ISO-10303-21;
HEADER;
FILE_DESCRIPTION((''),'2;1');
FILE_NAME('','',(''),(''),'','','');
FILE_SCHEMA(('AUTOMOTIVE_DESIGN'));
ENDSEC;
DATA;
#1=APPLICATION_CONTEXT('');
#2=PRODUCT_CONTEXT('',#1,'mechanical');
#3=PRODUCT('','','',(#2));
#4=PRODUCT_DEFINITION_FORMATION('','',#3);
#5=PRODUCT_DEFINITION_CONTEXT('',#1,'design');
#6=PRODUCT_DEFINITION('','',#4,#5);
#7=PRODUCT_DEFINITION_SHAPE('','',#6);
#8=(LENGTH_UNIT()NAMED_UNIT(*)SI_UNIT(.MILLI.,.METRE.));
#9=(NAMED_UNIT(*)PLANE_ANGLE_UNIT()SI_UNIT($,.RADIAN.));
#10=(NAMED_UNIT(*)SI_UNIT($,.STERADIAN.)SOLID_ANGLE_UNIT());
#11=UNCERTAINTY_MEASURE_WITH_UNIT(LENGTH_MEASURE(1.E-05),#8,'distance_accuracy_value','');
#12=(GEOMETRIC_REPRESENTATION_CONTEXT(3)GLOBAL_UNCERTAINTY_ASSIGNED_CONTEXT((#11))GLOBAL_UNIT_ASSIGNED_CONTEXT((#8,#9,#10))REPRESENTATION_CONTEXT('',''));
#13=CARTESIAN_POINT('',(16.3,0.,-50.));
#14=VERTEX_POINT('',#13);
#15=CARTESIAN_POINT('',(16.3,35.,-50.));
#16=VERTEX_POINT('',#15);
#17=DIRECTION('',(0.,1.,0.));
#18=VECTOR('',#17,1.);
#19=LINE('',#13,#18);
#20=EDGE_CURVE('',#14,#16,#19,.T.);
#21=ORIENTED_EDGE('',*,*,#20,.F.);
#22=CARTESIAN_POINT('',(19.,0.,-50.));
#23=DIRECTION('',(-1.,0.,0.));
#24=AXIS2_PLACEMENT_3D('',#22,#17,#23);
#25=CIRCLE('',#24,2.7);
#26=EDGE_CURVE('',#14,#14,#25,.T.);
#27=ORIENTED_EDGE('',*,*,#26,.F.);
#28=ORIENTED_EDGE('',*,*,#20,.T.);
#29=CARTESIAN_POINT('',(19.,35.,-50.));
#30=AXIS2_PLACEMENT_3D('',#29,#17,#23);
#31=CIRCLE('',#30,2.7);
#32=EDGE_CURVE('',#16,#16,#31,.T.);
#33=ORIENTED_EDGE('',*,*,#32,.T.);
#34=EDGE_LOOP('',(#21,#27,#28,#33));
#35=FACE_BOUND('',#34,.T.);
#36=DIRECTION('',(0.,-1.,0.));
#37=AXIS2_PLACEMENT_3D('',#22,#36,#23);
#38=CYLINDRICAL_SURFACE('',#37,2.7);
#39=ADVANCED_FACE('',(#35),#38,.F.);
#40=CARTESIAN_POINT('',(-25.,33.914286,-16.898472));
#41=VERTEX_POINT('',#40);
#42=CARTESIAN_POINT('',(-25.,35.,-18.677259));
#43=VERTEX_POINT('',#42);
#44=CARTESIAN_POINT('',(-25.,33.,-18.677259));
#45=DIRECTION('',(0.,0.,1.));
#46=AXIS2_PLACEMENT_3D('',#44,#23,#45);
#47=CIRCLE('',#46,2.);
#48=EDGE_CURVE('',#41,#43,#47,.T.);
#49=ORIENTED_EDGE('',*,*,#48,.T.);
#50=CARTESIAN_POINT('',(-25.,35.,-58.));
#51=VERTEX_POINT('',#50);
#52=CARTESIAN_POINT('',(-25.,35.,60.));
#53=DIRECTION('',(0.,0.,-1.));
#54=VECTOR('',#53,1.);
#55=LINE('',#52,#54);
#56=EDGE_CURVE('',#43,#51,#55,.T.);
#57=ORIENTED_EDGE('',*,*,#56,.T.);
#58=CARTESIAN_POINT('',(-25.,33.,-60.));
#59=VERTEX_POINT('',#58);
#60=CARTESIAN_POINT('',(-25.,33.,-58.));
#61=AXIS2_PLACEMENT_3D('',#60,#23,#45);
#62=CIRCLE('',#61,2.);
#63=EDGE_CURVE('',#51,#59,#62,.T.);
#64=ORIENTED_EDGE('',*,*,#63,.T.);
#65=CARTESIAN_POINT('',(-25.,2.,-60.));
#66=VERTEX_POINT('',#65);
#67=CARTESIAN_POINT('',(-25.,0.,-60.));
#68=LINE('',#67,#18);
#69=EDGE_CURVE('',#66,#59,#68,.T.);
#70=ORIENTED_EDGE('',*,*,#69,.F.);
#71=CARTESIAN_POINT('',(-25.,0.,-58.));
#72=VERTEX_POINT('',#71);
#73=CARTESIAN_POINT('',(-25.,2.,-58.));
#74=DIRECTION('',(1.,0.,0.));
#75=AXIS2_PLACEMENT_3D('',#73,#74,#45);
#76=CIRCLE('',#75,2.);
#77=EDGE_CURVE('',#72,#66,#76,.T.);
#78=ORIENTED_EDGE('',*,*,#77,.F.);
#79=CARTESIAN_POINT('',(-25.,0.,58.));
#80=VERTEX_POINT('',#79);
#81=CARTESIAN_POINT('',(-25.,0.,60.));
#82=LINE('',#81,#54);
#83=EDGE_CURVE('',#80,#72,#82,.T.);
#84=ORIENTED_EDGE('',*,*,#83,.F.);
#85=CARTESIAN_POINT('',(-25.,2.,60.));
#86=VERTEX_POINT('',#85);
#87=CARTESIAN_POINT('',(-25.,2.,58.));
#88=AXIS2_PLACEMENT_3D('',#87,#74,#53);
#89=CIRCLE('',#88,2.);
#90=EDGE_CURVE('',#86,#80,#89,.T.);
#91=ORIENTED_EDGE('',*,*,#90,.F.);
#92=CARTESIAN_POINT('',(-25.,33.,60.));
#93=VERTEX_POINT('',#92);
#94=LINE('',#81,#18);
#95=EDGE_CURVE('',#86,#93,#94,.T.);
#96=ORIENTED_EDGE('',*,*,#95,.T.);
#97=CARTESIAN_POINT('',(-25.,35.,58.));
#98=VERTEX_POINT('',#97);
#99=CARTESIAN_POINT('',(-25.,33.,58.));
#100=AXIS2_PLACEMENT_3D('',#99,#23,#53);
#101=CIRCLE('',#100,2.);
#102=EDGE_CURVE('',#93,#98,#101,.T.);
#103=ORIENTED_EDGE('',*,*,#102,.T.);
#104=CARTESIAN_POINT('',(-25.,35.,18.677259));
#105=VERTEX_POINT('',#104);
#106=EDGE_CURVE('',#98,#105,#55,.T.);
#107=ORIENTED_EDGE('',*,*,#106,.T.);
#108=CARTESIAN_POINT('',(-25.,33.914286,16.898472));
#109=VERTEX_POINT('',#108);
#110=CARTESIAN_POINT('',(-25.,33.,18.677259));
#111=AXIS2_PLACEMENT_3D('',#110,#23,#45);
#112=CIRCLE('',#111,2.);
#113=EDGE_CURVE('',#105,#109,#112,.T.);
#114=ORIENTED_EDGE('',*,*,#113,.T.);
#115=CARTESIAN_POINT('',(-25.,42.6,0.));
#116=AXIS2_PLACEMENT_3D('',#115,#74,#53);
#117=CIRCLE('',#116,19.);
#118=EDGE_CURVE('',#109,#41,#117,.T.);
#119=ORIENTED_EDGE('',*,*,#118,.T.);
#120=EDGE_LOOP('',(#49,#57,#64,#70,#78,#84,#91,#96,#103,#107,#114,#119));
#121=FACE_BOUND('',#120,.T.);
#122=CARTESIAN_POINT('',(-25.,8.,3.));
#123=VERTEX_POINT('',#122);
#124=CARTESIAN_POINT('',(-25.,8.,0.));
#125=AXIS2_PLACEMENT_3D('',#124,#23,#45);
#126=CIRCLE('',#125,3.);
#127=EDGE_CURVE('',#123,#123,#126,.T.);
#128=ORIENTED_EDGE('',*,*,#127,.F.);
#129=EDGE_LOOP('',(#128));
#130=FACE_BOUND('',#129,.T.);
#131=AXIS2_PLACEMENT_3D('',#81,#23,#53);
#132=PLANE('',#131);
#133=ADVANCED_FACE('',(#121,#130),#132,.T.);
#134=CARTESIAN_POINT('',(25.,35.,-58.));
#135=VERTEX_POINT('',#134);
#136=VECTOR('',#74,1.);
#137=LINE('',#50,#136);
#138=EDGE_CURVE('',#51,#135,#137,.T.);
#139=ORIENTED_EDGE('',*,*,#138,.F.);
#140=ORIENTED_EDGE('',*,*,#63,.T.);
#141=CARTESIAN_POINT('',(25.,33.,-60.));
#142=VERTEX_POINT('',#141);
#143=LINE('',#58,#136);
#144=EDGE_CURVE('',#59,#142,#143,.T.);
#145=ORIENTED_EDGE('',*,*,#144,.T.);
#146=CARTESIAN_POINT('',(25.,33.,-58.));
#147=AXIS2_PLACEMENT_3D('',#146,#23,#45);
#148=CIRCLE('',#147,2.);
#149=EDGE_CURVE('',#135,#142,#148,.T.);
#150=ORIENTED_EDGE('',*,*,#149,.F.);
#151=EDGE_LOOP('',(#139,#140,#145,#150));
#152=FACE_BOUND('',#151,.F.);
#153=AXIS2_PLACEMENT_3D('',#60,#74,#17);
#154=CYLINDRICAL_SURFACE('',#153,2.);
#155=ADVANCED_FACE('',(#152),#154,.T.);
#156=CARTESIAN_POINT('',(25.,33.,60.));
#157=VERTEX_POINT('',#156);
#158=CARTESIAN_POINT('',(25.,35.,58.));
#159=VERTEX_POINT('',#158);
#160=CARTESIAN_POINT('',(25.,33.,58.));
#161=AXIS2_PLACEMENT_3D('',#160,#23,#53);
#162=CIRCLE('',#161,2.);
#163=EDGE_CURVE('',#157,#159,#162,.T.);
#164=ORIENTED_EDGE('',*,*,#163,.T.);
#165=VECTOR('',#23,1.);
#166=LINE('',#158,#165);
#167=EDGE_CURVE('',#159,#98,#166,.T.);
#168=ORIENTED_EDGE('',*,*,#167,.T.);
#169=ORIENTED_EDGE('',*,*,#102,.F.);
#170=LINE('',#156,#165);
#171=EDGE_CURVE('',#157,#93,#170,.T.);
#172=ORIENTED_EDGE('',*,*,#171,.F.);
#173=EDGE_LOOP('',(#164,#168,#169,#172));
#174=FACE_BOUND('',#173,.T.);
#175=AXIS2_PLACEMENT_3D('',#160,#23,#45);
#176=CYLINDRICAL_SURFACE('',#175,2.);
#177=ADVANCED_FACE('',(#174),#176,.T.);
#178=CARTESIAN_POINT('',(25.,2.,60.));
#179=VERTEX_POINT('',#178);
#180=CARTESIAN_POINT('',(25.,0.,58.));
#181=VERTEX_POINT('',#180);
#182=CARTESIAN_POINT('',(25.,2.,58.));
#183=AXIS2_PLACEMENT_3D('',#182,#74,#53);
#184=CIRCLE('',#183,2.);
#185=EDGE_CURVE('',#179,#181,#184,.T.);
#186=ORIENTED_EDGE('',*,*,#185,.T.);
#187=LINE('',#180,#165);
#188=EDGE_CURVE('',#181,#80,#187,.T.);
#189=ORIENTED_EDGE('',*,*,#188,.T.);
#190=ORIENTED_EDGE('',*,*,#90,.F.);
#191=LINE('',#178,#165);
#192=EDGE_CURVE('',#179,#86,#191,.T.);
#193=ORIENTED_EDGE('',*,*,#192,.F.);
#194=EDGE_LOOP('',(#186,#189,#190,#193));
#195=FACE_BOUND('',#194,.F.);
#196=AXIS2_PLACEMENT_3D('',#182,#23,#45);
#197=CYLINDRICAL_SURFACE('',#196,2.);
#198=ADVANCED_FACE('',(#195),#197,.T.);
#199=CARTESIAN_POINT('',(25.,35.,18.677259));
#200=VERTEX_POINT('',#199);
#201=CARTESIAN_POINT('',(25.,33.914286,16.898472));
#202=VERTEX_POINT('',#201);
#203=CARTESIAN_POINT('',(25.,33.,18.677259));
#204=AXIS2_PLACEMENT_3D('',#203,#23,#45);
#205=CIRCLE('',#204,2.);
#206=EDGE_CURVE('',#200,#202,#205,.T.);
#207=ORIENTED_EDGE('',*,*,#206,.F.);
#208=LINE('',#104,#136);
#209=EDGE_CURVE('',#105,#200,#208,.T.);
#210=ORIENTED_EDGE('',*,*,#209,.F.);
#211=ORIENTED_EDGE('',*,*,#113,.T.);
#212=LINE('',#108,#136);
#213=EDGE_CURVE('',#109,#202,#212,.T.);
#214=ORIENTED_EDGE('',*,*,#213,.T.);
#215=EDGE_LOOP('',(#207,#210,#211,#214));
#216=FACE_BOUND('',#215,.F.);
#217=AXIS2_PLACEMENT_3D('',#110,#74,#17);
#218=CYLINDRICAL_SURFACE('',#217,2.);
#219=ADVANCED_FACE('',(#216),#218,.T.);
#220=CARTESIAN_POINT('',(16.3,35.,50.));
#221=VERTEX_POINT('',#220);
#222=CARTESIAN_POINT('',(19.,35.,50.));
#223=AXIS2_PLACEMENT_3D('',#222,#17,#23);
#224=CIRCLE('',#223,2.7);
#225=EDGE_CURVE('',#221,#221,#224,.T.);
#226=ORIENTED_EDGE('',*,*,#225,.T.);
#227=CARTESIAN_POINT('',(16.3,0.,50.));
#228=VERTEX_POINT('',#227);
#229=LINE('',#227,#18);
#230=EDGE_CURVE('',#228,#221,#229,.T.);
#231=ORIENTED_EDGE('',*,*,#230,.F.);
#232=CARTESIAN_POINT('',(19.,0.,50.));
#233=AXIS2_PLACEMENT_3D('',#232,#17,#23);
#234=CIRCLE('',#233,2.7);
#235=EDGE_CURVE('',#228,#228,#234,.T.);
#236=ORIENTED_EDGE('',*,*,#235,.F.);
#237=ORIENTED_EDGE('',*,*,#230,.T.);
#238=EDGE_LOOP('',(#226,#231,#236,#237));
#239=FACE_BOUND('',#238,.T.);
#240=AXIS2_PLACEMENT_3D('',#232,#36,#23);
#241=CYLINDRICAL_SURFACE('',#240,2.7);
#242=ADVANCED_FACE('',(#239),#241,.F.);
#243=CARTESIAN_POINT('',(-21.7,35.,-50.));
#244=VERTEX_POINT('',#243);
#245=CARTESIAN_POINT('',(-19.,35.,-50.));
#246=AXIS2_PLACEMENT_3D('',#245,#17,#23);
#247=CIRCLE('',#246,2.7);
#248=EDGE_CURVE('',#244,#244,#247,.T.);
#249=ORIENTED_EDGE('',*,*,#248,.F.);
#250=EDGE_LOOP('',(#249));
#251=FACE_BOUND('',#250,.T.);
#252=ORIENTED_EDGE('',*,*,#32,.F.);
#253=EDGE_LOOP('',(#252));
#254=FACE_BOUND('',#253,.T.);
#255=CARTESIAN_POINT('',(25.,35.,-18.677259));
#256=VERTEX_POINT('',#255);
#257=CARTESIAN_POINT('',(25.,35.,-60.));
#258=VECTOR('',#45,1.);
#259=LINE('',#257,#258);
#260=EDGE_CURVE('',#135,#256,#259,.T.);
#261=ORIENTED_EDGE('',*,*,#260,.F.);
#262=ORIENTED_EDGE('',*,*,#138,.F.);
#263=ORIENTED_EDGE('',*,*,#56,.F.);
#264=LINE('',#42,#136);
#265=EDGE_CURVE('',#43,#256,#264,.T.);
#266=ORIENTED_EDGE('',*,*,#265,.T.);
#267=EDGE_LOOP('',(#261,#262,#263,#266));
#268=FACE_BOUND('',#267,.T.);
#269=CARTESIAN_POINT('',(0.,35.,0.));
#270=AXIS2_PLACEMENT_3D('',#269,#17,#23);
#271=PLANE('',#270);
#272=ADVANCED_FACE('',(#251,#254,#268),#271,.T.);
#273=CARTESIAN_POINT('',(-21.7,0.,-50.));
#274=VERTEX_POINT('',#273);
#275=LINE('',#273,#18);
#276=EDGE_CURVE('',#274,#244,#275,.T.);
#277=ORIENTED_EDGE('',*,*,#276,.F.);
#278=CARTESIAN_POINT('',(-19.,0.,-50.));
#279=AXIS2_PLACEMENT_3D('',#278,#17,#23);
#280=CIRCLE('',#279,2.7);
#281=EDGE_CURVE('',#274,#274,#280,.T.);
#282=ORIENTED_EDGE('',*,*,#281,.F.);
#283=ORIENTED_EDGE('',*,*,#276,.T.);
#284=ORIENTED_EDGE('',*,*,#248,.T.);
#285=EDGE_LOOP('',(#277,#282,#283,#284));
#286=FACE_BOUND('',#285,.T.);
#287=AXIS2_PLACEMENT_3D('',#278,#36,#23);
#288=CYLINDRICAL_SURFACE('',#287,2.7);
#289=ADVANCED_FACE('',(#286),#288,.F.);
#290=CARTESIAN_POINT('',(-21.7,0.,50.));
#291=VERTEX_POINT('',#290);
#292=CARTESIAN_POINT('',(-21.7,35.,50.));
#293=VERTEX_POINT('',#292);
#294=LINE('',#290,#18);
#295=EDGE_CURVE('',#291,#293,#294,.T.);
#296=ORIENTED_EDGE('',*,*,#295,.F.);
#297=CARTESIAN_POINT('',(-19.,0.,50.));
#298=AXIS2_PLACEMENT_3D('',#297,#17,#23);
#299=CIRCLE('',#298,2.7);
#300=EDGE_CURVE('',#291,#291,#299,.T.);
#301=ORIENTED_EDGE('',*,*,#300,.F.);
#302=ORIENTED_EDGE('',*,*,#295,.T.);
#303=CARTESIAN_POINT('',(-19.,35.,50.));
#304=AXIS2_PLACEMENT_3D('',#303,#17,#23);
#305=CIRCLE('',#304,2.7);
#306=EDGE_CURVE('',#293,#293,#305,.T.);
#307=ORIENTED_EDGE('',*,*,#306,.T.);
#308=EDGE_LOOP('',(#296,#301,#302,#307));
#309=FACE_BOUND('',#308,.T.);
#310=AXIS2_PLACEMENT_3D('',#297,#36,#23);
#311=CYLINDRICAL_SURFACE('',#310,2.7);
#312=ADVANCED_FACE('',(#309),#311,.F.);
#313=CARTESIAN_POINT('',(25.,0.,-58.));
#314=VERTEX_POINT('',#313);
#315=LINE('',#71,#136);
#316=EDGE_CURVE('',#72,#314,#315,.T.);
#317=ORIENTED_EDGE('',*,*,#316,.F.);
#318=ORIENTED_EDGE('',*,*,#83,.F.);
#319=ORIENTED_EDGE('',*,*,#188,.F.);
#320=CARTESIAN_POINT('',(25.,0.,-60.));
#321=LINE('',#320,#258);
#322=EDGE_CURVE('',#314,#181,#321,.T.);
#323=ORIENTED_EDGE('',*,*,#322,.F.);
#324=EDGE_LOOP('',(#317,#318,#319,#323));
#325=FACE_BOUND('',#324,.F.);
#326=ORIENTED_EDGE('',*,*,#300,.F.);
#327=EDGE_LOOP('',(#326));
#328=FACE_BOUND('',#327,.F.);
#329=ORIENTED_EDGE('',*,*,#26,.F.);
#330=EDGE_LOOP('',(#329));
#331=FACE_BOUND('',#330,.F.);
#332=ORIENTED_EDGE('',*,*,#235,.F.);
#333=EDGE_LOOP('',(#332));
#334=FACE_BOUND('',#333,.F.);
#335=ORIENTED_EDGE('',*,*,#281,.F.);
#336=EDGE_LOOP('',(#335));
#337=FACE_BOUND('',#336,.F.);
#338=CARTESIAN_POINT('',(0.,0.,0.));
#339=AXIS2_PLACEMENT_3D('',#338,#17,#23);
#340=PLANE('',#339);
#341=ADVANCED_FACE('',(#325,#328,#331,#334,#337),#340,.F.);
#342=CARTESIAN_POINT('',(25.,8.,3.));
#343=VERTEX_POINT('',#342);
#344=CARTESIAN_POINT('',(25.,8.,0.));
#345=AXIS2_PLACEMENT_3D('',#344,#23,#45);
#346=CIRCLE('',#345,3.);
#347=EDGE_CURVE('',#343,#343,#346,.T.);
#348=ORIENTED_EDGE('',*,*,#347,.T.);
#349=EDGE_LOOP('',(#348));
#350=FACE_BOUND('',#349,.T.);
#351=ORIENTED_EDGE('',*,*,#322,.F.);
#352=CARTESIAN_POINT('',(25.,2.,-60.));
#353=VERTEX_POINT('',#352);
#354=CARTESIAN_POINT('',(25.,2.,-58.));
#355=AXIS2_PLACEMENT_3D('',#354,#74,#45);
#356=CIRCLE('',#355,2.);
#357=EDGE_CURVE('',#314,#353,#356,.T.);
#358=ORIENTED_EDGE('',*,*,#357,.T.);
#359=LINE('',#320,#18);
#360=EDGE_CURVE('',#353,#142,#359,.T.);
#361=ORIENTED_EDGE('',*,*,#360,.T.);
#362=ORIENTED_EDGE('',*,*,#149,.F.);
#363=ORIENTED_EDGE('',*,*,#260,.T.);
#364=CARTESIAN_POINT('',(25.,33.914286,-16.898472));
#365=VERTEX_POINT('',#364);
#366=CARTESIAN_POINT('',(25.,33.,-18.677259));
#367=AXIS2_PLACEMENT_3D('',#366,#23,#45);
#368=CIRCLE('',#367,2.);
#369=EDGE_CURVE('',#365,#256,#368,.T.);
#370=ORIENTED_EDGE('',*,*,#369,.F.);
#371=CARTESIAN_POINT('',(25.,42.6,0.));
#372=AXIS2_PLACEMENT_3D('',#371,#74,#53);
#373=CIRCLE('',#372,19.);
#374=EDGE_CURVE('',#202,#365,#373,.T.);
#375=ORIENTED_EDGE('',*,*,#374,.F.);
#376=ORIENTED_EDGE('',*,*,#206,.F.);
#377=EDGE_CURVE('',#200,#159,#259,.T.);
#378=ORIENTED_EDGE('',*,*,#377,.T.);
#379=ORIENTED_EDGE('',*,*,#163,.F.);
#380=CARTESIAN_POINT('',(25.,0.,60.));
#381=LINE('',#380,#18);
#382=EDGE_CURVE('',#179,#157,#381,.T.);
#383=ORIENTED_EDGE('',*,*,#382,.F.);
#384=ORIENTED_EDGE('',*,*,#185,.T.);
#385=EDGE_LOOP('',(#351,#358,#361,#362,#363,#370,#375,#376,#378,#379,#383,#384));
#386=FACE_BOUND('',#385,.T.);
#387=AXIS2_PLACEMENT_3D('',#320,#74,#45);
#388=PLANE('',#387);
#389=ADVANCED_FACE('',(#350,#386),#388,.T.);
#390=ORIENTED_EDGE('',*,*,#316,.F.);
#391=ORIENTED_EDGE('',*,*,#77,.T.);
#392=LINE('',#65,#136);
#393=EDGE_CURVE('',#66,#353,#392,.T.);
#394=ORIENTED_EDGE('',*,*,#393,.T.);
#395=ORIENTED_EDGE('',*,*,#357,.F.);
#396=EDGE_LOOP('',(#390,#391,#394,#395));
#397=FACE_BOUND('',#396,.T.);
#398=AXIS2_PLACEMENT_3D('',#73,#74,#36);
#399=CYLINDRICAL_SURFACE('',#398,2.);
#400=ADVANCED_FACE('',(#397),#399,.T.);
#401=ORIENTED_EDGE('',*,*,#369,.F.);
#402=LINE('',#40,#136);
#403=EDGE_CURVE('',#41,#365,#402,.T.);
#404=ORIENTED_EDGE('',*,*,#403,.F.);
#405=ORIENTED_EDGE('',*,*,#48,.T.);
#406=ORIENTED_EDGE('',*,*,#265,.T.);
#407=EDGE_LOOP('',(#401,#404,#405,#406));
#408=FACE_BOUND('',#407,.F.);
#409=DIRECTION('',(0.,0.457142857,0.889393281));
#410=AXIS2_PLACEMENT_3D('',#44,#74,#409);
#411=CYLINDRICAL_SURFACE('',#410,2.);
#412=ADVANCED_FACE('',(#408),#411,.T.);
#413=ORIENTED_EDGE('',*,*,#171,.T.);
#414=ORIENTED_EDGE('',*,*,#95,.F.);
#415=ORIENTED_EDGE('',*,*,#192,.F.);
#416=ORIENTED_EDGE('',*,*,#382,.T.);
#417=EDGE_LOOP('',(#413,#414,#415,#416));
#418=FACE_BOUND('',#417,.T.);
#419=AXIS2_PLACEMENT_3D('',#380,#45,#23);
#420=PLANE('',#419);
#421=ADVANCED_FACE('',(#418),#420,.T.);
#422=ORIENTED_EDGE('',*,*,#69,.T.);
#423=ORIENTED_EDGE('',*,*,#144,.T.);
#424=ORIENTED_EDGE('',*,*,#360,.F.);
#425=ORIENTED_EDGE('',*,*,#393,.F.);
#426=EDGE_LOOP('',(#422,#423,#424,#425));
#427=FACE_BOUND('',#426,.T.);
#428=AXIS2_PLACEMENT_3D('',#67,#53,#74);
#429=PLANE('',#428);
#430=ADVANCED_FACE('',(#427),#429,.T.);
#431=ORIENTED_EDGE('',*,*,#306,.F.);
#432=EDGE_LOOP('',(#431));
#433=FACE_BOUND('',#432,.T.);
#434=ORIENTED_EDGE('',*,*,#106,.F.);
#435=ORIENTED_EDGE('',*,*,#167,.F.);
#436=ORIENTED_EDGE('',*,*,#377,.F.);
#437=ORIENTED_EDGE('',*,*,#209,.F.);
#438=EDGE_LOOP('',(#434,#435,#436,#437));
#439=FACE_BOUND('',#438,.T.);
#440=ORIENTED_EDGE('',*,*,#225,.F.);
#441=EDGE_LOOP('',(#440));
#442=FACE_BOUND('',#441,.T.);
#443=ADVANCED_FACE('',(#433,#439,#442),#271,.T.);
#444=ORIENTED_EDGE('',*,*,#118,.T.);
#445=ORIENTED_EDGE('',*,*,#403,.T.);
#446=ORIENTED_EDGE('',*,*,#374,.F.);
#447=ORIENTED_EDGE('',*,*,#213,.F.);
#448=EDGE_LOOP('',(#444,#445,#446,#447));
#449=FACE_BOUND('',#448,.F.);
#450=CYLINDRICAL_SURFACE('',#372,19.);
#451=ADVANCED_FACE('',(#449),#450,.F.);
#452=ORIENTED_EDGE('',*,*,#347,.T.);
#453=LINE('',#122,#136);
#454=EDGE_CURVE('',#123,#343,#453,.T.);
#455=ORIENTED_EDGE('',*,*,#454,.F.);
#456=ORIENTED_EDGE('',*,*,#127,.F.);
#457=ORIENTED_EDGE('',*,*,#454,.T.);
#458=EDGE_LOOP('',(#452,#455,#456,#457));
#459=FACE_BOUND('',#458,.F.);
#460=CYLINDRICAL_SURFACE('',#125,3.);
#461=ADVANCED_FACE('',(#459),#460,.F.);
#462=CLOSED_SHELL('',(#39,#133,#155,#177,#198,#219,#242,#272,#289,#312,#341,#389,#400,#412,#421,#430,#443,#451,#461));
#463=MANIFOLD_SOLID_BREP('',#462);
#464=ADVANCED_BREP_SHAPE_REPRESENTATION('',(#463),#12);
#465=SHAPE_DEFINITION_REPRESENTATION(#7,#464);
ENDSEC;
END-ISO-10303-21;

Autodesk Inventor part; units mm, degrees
ref_plane "YZ Plane" through (0, 0, 0) normal (1, 0, 0) x (0, 1, 0)
ref_plane "XZ Plane" through (0, 0, 0) normal (0, 1, 0) x (-1, 0, 0)
ref_plane "XY Plane" through (0, 0, 0) normal (0, 0, 1) x (1, 0, 0)
sketch "Boceto1" plane through (0, 0, 0) normal (0, 1, 0) x (-1, 0, 0)
  line L0 (-25, 60) -> (25, 60)
  line L1 (25, 60) -> (25, -60)
  line L2 (25, -60) -> (-25, -60)
  line L3 (-25, -60) -> (-25, 60)
  line L4 (-25, 60) -> (25, -60) construction
  line L5 (25, 60) -> (-25, -60) construction
  circle A0 centre (19, 50) radius 2.7
  circle A1 centre (-19, 50) radius 2.7
  circle A2 centre (19, -50) radius 2.7
  circle A3 centre (-19, -50) radius 2.7
  point P0 (0, 0)
  dimension "d0" = 120
  dimension "d1" = 50
  dimension "d2" = 5.4
  dimension "d3" = 6
  dimension "d4" = 6
  dimension "d5" = 10
  dimension "d6" = 10
  dimension "d7" = 10
extrude "Extrusión1" add sketch "Boceto1" along normal blind 35
sketch "Boceto2" plane through (-25, 0, -60) normal (-1, 0, 0) x (0, 0, 1)
  circle A0 centre (60, 8) radius 3
  line L0 (0, 0) -> (120, 0) projected
  line L1 (120, 0) -> (0, 0) projected
  point P0 (60, 0)
  point P1 (60, 0)
  dimension "d10" = 6
  dimension "d11" = 8
extrude "Extrusión2" cut sketch "Boceto2" against normal through all
sketch "Boceto3" plane through (25, 0, 60) normal (1, 0, 0) x (0, 0, -1)
  circle A0 centre (60, 42.6) radius 12.5
  line L0 (0, 35) -> (120, 35) projected
  line L1 (0, 0) -> (120, 0) projected
  point P0 (60, 0)
  point P1 (60, 0)
  dimension "d14" = 25
  dimension "d15" = 7.6
extrude "Extrusión3" cut sketch "Boceto3" against normal through all
sketch "Boceto4" plane through (25, 0, 60) normal (1, 0, 0) x (0, 0, -1)
  circle A0 centre (60, 42.6) radius 18 projected
  point P0 (60, 0)
extrude "Extrusión4" cut sketch "Boceto4" against normal blind 104.5
sketch "Boceto5" plane through (25, 0, 60) normal (1, 0, 0) x (0, 0, -1)
  arc A0 (43.6831, 35) -> (76.3169, 35) centre (60, 42.6) ccw projected
  circle A1 centre (60, 42.6) radius 19
  point P0 (60, 0)
  dimension "d20" = 1
extrude "Extrusión5" cut sketch "Boceto5" against normal through all
fillet "Empalme1" radius 2 6 edges at (0, 0, 60) (0, 35, 60) (0, 35, -60) (0, 0, -60) (0, 35, -17.4138) (0, 35, 17.4138)
properties part number "LowerSupport"
